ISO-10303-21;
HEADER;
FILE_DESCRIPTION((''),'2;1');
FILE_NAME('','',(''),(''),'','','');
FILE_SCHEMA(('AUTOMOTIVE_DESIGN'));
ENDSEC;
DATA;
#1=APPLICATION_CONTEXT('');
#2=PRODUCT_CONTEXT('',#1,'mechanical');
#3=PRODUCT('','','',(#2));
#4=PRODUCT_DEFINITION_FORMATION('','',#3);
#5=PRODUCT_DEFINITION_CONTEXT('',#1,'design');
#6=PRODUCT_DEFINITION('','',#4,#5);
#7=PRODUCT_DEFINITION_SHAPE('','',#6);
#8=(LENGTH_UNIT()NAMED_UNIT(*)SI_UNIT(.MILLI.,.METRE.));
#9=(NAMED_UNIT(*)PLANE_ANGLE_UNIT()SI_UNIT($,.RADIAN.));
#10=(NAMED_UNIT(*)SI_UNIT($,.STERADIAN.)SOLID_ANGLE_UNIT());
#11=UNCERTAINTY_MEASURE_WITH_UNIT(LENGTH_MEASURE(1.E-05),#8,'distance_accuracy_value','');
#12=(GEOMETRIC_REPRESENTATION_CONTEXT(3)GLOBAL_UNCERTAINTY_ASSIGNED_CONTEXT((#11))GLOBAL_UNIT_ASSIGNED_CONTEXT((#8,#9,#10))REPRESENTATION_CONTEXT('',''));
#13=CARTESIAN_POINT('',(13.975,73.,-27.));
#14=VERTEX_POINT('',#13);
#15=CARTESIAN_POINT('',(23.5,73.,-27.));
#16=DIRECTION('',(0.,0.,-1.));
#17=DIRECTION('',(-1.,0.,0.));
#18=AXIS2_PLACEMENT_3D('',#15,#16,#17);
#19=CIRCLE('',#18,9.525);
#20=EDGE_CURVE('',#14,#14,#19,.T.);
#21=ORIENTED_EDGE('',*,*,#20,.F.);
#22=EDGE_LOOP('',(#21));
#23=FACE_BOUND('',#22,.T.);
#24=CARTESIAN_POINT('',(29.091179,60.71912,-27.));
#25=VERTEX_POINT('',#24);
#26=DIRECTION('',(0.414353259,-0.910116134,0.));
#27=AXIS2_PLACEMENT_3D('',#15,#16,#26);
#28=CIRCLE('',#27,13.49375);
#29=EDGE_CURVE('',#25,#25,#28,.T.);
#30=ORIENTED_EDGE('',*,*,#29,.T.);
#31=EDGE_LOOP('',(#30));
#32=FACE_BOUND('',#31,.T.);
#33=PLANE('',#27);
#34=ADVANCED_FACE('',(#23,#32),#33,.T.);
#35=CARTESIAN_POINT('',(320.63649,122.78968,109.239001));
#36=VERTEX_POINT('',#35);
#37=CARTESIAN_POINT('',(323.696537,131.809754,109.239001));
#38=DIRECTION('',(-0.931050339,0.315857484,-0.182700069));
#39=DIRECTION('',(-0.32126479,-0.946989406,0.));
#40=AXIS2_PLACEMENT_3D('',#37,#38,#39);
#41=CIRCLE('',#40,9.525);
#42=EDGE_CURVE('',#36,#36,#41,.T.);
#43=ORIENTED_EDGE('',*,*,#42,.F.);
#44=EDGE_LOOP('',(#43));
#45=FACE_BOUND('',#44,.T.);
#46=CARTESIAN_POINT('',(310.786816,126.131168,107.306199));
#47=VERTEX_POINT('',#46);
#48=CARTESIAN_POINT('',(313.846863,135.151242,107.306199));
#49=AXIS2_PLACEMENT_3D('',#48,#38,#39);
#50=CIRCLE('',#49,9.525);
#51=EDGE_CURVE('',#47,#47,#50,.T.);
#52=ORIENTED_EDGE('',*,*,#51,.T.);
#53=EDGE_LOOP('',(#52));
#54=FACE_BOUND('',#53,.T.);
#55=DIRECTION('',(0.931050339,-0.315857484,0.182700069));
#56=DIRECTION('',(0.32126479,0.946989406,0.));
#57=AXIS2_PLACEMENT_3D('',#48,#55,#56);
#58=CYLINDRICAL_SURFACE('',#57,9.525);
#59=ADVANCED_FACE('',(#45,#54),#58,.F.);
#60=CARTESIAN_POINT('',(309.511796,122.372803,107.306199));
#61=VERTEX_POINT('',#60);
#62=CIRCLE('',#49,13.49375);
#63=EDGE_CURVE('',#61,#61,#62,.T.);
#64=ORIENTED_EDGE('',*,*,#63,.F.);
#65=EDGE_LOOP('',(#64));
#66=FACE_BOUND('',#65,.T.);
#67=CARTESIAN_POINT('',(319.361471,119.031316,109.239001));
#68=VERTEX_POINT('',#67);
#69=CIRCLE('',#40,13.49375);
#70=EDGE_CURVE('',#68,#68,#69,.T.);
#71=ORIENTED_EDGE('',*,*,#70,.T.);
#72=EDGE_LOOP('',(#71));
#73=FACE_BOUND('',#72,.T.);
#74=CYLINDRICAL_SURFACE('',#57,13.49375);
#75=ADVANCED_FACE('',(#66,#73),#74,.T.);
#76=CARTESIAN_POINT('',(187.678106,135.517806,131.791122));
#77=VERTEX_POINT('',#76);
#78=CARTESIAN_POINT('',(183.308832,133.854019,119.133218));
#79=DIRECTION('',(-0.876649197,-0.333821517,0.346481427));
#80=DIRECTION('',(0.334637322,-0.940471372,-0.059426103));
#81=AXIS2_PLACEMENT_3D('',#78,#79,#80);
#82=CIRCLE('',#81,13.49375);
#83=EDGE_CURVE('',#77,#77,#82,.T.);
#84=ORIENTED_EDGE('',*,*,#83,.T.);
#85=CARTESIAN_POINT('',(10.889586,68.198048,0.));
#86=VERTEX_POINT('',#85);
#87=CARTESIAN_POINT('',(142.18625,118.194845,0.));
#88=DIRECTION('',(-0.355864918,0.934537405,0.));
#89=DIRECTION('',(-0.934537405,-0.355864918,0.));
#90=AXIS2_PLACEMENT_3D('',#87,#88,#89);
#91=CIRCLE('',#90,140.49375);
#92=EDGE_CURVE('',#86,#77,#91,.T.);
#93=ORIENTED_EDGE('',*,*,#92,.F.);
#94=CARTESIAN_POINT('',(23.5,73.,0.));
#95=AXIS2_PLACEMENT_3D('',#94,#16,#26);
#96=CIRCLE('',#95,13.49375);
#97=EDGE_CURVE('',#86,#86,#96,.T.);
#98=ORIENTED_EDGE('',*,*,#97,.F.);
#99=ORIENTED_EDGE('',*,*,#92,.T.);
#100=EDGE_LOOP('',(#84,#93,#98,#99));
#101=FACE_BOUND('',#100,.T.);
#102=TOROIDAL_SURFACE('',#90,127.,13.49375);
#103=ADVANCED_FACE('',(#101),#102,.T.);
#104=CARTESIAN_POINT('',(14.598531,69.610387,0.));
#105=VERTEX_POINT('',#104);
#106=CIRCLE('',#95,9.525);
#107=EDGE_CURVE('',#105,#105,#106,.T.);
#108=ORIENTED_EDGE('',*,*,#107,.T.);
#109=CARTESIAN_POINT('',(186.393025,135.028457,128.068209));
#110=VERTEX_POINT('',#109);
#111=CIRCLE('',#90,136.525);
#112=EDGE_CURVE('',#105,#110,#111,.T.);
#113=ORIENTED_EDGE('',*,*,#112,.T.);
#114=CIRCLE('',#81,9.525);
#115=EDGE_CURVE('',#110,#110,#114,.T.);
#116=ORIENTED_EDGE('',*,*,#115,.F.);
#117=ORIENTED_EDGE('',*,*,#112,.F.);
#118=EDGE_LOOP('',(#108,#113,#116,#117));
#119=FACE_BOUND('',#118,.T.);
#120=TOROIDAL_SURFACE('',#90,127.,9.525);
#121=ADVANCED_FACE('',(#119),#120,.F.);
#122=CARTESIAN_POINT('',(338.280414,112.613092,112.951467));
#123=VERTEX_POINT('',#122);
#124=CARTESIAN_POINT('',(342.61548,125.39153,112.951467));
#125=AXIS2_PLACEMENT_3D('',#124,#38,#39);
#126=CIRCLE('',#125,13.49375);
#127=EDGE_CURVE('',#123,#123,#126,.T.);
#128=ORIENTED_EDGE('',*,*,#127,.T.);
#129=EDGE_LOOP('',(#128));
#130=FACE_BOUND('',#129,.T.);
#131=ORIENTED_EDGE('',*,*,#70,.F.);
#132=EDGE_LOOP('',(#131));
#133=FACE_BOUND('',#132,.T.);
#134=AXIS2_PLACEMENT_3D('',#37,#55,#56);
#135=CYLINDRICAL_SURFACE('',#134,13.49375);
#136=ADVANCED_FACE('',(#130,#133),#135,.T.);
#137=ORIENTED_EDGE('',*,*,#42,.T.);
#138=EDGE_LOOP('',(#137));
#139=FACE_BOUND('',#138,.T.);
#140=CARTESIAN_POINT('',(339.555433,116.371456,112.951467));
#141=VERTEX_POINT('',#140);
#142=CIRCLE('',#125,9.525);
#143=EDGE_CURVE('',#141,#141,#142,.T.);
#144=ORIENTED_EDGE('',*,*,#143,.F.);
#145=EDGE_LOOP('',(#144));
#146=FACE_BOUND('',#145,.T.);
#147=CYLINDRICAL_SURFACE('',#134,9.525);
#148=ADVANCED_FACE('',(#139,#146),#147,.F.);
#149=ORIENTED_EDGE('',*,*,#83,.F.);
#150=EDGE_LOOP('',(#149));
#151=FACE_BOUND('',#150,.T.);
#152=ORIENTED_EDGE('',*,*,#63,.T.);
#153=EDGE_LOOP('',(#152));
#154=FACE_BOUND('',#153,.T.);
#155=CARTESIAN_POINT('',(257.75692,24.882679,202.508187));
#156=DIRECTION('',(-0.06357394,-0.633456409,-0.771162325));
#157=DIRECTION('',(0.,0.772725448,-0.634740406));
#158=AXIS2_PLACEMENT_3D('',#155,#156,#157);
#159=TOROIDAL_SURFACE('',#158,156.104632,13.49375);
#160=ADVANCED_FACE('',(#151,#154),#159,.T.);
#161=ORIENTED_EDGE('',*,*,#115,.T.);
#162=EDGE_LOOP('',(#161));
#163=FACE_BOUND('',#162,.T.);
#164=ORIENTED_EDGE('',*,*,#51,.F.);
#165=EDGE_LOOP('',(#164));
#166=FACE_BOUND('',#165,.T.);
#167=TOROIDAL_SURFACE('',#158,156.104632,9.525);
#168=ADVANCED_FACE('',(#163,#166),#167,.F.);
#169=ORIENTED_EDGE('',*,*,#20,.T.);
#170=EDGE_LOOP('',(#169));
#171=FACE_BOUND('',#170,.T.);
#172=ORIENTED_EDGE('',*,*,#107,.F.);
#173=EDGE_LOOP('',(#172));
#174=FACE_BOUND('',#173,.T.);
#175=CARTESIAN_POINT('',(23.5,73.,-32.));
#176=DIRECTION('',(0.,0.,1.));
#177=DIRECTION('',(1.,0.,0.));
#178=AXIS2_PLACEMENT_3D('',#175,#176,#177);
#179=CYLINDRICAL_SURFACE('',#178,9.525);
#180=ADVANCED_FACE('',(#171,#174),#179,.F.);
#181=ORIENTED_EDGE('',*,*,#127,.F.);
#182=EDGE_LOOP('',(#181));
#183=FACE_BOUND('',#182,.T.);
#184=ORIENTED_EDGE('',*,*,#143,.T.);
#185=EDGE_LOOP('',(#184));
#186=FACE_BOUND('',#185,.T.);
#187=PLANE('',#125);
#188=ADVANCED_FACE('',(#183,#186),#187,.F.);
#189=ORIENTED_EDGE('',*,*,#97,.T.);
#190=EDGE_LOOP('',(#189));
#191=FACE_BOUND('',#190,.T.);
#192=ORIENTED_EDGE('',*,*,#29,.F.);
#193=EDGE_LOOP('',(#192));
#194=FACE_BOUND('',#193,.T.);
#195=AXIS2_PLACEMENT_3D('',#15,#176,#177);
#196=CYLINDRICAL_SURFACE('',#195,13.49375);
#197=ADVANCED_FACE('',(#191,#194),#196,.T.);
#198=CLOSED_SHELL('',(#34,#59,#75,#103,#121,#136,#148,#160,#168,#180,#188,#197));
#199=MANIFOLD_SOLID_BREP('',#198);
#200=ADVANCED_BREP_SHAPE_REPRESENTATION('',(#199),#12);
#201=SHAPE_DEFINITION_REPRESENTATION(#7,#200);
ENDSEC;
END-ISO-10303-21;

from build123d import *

# Parameters (mm, degrees)
SWEEP1_PROFILE_R     = 13.49375
CUT_SWEEP1_PROFILE_R = 9.525


with BuildPart() as part:
    # Sweep1: sweep along a curve in space
    with BuildLine() as sweep1_path:
        Line((23.5, 73, -27), (23.5, 73, 0))
        ThreePointArc((23.5, 73, 0), (74.341792088, 92.360177629, 104.205083686), (183.308831735, 133.854018751, 119.133217723))
        ThreePointArc((313.846862771, 135.151241794, 107.30619915), (247.643313282, 145.663188238, 104.129125644), (183.308831735, 133.854018751, 119.133217723))
        Line((323.696537416, 131.80975388, 109.239001446), (313.846862771, 135.151241794, 107.30619915))
        Line((323.696537416, 131.80975388, 109.239001446), (342.615480312, 125.391529797, 112.951466843))
    # Sweep1 profile (on start of the path) → Sweep1 (sweep)
    with BuildSketch(Plane(origin=(23.5, 73, -27), x_dir=(1, 0, 0), z_dir=(0, 0, 1))):
        Circle(SWEEP1_PROFILE_R)
    sweep(path=sweep1_path.line)

    # Cut-Sweep1: sweep along a curve in space
    with BuildLine() as cut_sweep1_path:
        Line((23.5, 73, -27), (23.5, 73, 0))
        ThreePointArc((23.5, 73, 0), (74.341792088, 92.360177629, 104.205083686), (183.308831735, 133.854018751, 119.133217723))
        ThreePointArc((313.846862771, 135.151241794, 107.30619915), (247.643313282, 145.663188238, 104.129125644), (183.308831735, 133.854018751, 119.133217723))
        Line((323.696537416, 131.80975388, 109.239001446), (313.846862771, 135.151241794, 107.30619915))
        Line((323.696537416, 131.80975388, 109.239001446), (342.615480312, 125.391529797, 112.951466843))
    # Cut-Sweep1 profile (on start of the path) → Cut-Sweep1 (sweep, cut)
    with BuildSketch(Plane(origin=(23.5, 73, -27), x_dir=(1, 0, 0), z_dir=(0, 0, 1))):
        Circle(CUT_SWEEP1_PROFILE_R)
    sweep(path=cut_sweep1_path.line, mode=Mode.SUBTRACT)


solid = part.part
